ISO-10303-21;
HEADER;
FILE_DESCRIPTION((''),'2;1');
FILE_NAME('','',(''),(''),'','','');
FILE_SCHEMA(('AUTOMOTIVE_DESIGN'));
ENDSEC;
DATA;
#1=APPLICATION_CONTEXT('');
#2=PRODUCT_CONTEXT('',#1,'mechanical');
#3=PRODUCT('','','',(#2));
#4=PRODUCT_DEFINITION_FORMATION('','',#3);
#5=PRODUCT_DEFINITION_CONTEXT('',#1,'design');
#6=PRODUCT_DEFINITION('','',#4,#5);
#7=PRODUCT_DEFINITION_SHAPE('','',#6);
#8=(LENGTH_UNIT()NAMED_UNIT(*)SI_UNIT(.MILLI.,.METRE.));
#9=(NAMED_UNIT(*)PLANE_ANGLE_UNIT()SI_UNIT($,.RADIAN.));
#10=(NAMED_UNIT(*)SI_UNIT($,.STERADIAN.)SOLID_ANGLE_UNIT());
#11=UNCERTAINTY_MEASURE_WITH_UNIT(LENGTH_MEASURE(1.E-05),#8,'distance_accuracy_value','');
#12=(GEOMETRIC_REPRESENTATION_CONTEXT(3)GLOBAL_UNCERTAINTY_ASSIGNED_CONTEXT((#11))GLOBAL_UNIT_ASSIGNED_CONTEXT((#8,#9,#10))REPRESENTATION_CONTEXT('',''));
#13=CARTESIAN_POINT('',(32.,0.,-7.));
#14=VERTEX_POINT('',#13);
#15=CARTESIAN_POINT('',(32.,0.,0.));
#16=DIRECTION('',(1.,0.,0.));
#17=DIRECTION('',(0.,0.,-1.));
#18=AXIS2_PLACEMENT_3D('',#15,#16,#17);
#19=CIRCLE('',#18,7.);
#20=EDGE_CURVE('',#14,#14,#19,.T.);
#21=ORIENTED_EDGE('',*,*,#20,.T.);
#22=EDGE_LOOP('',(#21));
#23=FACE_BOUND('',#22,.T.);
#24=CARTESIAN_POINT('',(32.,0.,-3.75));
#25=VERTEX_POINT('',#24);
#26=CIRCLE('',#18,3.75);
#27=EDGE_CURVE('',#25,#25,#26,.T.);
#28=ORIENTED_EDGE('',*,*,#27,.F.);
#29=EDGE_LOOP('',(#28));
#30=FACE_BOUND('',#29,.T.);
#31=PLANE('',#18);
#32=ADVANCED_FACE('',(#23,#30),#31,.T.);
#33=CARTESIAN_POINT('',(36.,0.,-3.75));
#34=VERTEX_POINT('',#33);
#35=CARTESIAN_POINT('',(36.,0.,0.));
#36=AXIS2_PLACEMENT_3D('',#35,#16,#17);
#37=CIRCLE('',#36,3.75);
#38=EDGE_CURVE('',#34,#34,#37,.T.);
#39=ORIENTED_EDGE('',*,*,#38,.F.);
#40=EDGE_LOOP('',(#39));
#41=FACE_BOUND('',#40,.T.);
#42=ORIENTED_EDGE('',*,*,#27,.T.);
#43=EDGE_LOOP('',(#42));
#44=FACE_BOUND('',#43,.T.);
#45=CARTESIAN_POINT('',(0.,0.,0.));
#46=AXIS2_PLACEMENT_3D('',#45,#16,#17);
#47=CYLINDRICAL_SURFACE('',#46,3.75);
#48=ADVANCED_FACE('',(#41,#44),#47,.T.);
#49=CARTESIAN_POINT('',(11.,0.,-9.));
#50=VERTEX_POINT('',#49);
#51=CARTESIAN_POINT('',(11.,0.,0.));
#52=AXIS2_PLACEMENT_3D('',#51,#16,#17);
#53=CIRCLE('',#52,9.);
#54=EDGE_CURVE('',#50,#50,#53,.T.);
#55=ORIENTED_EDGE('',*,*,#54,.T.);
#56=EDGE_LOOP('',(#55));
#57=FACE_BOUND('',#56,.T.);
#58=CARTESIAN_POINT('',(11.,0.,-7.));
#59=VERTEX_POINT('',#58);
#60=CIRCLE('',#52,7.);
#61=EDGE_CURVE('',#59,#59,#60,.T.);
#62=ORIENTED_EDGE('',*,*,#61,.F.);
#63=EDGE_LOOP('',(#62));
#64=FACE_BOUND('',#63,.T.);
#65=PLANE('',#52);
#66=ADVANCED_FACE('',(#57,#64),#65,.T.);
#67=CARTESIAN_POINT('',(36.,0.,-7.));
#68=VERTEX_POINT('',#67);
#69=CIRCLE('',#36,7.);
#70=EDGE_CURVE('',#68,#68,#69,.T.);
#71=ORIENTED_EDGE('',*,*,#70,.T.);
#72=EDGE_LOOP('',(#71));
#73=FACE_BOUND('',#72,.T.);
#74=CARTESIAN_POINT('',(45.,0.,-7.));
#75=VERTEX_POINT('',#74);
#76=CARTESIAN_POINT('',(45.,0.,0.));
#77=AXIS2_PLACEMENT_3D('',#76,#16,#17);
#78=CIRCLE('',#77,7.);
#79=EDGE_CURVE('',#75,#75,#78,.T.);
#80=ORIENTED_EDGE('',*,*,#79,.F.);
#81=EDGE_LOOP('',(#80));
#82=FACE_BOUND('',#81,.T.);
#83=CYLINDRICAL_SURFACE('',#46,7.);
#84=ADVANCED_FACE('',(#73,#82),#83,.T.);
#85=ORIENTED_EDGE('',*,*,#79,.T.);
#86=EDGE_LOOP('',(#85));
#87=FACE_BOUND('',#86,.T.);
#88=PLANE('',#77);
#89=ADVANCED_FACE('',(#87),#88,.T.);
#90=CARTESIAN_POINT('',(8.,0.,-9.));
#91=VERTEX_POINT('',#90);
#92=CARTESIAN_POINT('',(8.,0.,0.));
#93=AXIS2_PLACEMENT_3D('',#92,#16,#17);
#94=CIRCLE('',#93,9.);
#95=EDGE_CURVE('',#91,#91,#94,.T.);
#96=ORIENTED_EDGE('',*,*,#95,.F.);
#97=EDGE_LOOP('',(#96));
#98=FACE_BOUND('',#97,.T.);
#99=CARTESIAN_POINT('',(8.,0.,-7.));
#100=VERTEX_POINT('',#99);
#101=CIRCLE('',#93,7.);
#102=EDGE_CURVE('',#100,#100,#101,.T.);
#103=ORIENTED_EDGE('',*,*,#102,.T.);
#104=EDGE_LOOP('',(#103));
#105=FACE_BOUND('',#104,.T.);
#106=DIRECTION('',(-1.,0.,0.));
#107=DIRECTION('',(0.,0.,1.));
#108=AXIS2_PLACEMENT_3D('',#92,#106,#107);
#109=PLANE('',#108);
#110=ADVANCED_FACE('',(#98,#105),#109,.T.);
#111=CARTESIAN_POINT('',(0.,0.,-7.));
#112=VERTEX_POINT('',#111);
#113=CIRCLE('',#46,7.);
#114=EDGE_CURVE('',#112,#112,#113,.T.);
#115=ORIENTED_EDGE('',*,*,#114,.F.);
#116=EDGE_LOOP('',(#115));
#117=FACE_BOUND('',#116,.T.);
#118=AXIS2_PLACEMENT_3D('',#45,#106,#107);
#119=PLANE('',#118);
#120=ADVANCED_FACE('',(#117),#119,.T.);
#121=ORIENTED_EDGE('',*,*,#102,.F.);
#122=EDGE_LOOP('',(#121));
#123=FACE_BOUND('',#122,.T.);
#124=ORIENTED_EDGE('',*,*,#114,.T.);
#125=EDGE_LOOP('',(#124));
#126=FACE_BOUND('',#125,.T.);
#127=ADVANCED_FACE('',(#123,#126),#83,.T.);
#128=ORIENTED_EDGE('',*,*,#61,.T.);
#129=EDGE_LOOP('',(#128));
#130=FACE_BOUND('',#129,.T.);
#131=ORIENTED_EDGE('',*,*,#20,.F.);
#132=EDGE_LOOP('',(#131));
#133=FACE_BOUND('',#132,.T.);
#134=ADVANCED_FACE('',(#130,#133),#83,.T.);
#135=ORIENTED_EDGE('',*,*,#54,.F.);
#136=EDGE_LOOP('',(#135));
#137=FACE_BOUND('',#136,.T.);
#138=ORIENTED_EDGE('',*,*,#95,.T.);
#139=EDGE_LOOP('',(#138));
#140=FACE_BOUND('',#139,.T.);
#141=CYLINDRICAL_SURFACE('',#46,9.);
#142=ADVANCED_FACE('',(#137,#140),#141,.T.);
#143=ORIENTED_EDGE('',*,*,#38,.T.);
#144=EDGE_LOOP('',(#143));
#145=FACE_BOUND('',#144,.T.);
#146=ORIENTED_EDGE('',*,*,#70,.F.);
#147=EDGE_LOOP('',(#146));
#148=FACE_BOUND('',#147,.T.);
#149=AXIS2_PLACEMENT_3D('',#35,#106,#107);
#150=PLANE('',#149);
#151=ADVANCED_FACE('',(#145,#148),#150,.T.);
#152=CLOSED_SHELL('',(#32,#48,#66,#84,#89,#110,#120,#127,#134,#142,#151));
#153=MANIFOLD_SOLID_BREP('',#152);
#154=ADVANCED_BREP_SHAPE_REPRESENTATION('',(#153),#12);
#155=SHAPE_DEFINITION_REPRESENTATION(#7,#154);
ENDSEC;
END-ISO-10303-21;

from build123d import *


with BuildPart() as part:
    # Croquis1 → Revolución1 (revolve)
    with BuildSketch(Plane.XY, mode=Mode.PRIVATE) as revoluci_n1_sk:
        Polygon((0, 7), (0, 0), (45, 0), (45, 7), (36, 7), (36, 3.75), (32, 3.75), (32, 7), (11, 7), (11, 9), (8, 9), (8, 7), align=None)
    revolve(revoluci_n1_sk.sketch.rotate(Axis((0, 0, 0), (-1, 0, 0)), 90), axis=Axis((0, 0, 0), (-1, 0, 0)))


solid = part.part
